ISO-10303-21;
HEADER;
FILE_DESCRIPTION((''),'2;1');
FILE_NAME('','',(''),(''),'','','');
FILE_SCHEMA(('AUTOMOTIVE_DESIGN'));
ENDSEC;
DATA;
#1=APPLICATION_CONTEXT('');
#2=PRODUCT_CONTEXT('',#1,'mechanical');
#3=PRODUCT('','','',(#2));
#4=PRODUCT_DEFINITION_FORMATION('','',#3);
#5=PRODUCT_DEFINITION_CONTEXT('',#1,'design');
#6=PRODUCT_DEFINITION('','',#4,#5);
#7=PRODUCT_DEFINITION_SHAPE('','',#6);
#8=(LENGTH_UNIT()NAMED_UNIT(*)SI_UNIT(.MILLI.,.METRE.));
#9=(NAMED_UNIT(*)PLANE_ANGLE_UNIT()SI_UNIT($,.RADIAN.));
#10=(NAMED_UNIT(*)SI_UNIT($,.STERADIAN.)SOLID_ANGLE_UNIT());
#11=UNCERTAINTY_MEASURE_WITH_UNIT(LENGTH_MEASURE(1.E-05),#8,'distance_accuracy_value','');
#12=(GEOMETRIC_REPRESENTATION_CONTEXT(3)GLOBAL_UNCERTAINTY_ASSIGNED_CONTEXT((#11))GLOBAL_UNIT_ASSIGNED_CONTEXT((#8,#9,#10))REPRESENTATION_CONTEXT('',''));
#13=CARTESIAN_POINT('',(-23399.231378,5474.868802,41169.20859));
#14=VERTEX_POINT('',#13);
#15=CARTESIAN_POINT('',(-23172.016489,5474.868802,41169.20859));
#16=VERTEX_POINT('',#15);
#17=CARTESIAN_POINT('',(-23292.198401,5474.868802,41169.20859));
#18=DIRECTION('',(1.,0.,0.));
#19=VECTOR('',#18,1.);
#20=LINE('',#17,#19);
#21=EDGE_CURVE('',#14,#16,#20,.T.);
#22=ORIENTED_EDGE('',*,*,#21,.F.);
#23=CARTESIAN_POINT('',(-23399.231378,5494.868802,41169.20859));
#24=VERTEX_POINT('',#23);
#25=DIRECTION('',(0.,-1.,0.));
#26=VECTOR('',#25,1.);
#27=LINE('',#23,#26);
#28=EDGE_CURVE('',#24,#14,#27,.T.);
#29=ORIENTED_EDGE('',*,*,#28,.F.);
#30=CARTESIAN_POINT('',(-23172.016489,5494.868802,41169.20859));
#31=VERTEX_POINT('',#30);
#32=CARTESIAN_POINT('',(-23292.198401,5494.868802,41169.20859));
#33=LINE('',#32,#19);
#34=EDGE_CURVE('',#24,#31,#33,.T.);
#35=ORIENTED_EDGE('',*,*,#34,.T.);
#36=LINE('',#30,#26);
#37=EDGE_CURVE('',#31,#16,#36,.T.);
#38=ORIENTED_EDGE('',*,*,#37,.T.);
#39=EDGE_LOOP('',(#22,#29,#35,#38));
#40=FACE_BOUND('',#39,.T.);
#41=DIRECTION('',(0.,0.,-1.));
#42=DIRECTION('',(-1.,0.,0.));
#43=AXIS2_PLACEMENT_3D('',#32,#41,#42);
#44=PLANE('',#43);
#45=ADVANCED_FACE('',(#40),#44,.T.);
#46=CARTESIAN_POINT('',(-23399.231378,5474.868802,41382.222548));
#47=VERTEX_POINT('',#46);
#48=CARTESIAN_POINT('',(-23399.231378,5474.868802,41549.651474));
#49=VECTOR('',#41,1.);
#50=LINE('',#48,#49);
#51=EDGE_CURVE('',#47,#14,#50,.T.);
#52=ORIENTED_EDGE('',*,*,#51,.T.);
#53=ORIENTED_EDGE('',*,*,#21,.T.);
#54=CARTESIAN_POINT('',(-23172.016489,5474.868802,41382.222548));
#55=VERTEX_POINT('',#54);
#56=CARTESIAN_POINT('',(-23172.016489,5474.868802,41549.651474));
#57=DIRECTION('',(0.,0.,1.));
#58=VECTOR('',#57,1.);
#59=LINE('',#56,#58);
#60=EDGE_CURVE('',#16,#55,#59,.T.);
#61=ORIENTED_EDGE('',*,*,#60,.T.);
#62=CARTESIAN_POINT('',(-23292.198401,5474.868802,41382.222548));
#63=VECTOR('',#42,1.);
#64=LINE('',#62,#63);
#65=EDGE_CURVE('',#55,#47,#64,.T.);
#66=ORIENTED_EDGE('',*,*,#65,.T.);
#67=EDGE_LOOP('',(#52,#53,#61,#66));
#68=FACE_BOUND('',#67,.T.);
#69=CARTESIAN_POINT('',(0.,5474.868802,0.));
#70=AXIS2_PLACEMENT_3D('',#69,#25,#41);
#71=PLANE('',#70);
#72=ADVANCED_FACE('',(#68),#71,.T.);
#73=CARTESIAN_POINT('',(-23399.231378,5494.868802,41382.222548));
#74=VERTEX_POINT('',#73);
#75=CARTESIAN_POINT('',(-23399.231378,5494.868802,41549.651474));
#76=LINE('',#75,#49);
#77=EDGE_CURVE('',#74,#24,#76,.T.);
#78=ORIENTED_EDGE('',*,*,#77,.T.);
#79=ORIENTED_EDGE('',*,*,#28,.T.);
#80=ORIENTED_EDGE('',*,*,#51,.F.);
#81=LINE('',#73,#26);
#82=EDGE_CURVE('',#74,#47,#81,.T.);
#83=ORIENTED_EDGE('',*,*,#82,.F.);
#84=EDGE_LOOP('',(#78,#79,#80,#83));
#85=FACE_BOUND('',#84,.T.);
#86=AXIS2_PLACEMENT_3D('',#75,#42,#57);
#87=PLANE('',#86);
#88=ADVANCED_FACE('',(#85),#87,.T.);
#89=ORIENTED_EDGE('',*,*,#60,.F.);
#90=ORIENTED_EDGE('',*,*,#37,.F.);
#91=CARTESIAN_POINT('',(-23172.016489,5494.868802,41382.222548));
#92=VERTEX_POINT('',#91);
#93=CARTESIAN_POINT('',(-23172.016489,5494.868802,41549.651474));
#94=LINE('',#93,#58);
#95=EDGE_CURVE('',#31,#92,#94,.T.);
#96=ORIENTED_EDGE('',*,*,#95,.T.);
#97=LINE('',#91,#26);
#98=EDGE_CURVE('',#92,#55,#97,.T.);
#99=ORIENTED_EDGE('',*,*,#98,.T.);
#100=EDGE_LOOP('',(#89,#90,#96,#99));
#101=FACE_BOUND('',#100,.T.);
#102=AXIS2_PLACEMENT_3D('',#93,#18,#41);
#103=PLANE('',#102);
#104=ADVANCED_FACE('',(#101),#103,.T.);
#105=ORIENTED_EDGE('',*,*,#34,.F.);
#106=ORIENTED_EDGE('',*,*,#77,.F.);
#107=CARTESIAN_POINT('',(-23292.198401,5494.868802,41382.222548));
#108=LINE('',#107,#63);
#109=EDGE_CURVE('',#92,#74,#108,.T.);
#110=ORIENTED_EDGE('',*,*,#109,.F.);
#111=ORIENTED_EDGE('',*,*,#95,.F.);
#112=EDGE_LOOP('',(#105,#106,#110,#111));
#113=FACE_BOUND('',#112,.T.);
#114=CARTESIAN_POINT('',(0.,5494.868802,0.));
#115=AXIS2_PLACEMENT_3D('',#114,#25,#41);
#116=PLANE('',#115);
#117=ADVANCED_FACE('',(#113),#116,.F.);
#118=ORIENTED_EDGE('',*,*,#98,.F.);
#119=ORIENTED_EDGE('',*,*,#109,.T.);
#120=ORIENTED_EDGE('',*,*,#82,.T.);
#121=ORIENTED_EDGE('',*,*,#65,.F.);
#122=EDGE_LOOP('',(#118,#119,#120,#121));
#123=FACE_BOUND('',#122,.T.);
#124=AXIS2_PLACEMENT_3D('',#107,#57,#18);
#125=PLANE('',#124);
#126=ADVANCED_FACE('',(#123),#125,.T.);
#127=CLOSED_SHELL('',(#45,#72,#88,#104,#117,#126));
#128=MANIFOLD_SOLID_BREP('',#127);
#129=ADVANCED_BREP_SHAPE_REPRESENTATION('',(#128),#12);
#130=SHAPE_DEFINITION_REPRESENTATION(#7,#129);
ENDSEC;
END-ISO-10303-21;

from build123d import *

# Parameters (mm, degrees)
BOSS_EXTRUDE1_START = 5474.868802
SKETCH1_W           = 227.214888822
SKETCH1_H           = 213.013958271
BOSS_EXTRUDE1_DEPTH = 20


with BuildPart() as part:
    # Sketch1 → Boss-Extrude1 (new body)
    with BuildSketch(Plane(origin=(0, 0, 705.937432627), x_dir=(1, 0, 0), z_dir=(0, 1, 0)).offset(BOSS_EXTRUDE1_START)):
        with Locations((-23285.623933291, -40569.778136667)):
            Rectangle(SKETCH1_W, SKETCH1_H)
    extrude(amount=BOSS_EXTRUDE1_DEPTH)


solid = part.part
